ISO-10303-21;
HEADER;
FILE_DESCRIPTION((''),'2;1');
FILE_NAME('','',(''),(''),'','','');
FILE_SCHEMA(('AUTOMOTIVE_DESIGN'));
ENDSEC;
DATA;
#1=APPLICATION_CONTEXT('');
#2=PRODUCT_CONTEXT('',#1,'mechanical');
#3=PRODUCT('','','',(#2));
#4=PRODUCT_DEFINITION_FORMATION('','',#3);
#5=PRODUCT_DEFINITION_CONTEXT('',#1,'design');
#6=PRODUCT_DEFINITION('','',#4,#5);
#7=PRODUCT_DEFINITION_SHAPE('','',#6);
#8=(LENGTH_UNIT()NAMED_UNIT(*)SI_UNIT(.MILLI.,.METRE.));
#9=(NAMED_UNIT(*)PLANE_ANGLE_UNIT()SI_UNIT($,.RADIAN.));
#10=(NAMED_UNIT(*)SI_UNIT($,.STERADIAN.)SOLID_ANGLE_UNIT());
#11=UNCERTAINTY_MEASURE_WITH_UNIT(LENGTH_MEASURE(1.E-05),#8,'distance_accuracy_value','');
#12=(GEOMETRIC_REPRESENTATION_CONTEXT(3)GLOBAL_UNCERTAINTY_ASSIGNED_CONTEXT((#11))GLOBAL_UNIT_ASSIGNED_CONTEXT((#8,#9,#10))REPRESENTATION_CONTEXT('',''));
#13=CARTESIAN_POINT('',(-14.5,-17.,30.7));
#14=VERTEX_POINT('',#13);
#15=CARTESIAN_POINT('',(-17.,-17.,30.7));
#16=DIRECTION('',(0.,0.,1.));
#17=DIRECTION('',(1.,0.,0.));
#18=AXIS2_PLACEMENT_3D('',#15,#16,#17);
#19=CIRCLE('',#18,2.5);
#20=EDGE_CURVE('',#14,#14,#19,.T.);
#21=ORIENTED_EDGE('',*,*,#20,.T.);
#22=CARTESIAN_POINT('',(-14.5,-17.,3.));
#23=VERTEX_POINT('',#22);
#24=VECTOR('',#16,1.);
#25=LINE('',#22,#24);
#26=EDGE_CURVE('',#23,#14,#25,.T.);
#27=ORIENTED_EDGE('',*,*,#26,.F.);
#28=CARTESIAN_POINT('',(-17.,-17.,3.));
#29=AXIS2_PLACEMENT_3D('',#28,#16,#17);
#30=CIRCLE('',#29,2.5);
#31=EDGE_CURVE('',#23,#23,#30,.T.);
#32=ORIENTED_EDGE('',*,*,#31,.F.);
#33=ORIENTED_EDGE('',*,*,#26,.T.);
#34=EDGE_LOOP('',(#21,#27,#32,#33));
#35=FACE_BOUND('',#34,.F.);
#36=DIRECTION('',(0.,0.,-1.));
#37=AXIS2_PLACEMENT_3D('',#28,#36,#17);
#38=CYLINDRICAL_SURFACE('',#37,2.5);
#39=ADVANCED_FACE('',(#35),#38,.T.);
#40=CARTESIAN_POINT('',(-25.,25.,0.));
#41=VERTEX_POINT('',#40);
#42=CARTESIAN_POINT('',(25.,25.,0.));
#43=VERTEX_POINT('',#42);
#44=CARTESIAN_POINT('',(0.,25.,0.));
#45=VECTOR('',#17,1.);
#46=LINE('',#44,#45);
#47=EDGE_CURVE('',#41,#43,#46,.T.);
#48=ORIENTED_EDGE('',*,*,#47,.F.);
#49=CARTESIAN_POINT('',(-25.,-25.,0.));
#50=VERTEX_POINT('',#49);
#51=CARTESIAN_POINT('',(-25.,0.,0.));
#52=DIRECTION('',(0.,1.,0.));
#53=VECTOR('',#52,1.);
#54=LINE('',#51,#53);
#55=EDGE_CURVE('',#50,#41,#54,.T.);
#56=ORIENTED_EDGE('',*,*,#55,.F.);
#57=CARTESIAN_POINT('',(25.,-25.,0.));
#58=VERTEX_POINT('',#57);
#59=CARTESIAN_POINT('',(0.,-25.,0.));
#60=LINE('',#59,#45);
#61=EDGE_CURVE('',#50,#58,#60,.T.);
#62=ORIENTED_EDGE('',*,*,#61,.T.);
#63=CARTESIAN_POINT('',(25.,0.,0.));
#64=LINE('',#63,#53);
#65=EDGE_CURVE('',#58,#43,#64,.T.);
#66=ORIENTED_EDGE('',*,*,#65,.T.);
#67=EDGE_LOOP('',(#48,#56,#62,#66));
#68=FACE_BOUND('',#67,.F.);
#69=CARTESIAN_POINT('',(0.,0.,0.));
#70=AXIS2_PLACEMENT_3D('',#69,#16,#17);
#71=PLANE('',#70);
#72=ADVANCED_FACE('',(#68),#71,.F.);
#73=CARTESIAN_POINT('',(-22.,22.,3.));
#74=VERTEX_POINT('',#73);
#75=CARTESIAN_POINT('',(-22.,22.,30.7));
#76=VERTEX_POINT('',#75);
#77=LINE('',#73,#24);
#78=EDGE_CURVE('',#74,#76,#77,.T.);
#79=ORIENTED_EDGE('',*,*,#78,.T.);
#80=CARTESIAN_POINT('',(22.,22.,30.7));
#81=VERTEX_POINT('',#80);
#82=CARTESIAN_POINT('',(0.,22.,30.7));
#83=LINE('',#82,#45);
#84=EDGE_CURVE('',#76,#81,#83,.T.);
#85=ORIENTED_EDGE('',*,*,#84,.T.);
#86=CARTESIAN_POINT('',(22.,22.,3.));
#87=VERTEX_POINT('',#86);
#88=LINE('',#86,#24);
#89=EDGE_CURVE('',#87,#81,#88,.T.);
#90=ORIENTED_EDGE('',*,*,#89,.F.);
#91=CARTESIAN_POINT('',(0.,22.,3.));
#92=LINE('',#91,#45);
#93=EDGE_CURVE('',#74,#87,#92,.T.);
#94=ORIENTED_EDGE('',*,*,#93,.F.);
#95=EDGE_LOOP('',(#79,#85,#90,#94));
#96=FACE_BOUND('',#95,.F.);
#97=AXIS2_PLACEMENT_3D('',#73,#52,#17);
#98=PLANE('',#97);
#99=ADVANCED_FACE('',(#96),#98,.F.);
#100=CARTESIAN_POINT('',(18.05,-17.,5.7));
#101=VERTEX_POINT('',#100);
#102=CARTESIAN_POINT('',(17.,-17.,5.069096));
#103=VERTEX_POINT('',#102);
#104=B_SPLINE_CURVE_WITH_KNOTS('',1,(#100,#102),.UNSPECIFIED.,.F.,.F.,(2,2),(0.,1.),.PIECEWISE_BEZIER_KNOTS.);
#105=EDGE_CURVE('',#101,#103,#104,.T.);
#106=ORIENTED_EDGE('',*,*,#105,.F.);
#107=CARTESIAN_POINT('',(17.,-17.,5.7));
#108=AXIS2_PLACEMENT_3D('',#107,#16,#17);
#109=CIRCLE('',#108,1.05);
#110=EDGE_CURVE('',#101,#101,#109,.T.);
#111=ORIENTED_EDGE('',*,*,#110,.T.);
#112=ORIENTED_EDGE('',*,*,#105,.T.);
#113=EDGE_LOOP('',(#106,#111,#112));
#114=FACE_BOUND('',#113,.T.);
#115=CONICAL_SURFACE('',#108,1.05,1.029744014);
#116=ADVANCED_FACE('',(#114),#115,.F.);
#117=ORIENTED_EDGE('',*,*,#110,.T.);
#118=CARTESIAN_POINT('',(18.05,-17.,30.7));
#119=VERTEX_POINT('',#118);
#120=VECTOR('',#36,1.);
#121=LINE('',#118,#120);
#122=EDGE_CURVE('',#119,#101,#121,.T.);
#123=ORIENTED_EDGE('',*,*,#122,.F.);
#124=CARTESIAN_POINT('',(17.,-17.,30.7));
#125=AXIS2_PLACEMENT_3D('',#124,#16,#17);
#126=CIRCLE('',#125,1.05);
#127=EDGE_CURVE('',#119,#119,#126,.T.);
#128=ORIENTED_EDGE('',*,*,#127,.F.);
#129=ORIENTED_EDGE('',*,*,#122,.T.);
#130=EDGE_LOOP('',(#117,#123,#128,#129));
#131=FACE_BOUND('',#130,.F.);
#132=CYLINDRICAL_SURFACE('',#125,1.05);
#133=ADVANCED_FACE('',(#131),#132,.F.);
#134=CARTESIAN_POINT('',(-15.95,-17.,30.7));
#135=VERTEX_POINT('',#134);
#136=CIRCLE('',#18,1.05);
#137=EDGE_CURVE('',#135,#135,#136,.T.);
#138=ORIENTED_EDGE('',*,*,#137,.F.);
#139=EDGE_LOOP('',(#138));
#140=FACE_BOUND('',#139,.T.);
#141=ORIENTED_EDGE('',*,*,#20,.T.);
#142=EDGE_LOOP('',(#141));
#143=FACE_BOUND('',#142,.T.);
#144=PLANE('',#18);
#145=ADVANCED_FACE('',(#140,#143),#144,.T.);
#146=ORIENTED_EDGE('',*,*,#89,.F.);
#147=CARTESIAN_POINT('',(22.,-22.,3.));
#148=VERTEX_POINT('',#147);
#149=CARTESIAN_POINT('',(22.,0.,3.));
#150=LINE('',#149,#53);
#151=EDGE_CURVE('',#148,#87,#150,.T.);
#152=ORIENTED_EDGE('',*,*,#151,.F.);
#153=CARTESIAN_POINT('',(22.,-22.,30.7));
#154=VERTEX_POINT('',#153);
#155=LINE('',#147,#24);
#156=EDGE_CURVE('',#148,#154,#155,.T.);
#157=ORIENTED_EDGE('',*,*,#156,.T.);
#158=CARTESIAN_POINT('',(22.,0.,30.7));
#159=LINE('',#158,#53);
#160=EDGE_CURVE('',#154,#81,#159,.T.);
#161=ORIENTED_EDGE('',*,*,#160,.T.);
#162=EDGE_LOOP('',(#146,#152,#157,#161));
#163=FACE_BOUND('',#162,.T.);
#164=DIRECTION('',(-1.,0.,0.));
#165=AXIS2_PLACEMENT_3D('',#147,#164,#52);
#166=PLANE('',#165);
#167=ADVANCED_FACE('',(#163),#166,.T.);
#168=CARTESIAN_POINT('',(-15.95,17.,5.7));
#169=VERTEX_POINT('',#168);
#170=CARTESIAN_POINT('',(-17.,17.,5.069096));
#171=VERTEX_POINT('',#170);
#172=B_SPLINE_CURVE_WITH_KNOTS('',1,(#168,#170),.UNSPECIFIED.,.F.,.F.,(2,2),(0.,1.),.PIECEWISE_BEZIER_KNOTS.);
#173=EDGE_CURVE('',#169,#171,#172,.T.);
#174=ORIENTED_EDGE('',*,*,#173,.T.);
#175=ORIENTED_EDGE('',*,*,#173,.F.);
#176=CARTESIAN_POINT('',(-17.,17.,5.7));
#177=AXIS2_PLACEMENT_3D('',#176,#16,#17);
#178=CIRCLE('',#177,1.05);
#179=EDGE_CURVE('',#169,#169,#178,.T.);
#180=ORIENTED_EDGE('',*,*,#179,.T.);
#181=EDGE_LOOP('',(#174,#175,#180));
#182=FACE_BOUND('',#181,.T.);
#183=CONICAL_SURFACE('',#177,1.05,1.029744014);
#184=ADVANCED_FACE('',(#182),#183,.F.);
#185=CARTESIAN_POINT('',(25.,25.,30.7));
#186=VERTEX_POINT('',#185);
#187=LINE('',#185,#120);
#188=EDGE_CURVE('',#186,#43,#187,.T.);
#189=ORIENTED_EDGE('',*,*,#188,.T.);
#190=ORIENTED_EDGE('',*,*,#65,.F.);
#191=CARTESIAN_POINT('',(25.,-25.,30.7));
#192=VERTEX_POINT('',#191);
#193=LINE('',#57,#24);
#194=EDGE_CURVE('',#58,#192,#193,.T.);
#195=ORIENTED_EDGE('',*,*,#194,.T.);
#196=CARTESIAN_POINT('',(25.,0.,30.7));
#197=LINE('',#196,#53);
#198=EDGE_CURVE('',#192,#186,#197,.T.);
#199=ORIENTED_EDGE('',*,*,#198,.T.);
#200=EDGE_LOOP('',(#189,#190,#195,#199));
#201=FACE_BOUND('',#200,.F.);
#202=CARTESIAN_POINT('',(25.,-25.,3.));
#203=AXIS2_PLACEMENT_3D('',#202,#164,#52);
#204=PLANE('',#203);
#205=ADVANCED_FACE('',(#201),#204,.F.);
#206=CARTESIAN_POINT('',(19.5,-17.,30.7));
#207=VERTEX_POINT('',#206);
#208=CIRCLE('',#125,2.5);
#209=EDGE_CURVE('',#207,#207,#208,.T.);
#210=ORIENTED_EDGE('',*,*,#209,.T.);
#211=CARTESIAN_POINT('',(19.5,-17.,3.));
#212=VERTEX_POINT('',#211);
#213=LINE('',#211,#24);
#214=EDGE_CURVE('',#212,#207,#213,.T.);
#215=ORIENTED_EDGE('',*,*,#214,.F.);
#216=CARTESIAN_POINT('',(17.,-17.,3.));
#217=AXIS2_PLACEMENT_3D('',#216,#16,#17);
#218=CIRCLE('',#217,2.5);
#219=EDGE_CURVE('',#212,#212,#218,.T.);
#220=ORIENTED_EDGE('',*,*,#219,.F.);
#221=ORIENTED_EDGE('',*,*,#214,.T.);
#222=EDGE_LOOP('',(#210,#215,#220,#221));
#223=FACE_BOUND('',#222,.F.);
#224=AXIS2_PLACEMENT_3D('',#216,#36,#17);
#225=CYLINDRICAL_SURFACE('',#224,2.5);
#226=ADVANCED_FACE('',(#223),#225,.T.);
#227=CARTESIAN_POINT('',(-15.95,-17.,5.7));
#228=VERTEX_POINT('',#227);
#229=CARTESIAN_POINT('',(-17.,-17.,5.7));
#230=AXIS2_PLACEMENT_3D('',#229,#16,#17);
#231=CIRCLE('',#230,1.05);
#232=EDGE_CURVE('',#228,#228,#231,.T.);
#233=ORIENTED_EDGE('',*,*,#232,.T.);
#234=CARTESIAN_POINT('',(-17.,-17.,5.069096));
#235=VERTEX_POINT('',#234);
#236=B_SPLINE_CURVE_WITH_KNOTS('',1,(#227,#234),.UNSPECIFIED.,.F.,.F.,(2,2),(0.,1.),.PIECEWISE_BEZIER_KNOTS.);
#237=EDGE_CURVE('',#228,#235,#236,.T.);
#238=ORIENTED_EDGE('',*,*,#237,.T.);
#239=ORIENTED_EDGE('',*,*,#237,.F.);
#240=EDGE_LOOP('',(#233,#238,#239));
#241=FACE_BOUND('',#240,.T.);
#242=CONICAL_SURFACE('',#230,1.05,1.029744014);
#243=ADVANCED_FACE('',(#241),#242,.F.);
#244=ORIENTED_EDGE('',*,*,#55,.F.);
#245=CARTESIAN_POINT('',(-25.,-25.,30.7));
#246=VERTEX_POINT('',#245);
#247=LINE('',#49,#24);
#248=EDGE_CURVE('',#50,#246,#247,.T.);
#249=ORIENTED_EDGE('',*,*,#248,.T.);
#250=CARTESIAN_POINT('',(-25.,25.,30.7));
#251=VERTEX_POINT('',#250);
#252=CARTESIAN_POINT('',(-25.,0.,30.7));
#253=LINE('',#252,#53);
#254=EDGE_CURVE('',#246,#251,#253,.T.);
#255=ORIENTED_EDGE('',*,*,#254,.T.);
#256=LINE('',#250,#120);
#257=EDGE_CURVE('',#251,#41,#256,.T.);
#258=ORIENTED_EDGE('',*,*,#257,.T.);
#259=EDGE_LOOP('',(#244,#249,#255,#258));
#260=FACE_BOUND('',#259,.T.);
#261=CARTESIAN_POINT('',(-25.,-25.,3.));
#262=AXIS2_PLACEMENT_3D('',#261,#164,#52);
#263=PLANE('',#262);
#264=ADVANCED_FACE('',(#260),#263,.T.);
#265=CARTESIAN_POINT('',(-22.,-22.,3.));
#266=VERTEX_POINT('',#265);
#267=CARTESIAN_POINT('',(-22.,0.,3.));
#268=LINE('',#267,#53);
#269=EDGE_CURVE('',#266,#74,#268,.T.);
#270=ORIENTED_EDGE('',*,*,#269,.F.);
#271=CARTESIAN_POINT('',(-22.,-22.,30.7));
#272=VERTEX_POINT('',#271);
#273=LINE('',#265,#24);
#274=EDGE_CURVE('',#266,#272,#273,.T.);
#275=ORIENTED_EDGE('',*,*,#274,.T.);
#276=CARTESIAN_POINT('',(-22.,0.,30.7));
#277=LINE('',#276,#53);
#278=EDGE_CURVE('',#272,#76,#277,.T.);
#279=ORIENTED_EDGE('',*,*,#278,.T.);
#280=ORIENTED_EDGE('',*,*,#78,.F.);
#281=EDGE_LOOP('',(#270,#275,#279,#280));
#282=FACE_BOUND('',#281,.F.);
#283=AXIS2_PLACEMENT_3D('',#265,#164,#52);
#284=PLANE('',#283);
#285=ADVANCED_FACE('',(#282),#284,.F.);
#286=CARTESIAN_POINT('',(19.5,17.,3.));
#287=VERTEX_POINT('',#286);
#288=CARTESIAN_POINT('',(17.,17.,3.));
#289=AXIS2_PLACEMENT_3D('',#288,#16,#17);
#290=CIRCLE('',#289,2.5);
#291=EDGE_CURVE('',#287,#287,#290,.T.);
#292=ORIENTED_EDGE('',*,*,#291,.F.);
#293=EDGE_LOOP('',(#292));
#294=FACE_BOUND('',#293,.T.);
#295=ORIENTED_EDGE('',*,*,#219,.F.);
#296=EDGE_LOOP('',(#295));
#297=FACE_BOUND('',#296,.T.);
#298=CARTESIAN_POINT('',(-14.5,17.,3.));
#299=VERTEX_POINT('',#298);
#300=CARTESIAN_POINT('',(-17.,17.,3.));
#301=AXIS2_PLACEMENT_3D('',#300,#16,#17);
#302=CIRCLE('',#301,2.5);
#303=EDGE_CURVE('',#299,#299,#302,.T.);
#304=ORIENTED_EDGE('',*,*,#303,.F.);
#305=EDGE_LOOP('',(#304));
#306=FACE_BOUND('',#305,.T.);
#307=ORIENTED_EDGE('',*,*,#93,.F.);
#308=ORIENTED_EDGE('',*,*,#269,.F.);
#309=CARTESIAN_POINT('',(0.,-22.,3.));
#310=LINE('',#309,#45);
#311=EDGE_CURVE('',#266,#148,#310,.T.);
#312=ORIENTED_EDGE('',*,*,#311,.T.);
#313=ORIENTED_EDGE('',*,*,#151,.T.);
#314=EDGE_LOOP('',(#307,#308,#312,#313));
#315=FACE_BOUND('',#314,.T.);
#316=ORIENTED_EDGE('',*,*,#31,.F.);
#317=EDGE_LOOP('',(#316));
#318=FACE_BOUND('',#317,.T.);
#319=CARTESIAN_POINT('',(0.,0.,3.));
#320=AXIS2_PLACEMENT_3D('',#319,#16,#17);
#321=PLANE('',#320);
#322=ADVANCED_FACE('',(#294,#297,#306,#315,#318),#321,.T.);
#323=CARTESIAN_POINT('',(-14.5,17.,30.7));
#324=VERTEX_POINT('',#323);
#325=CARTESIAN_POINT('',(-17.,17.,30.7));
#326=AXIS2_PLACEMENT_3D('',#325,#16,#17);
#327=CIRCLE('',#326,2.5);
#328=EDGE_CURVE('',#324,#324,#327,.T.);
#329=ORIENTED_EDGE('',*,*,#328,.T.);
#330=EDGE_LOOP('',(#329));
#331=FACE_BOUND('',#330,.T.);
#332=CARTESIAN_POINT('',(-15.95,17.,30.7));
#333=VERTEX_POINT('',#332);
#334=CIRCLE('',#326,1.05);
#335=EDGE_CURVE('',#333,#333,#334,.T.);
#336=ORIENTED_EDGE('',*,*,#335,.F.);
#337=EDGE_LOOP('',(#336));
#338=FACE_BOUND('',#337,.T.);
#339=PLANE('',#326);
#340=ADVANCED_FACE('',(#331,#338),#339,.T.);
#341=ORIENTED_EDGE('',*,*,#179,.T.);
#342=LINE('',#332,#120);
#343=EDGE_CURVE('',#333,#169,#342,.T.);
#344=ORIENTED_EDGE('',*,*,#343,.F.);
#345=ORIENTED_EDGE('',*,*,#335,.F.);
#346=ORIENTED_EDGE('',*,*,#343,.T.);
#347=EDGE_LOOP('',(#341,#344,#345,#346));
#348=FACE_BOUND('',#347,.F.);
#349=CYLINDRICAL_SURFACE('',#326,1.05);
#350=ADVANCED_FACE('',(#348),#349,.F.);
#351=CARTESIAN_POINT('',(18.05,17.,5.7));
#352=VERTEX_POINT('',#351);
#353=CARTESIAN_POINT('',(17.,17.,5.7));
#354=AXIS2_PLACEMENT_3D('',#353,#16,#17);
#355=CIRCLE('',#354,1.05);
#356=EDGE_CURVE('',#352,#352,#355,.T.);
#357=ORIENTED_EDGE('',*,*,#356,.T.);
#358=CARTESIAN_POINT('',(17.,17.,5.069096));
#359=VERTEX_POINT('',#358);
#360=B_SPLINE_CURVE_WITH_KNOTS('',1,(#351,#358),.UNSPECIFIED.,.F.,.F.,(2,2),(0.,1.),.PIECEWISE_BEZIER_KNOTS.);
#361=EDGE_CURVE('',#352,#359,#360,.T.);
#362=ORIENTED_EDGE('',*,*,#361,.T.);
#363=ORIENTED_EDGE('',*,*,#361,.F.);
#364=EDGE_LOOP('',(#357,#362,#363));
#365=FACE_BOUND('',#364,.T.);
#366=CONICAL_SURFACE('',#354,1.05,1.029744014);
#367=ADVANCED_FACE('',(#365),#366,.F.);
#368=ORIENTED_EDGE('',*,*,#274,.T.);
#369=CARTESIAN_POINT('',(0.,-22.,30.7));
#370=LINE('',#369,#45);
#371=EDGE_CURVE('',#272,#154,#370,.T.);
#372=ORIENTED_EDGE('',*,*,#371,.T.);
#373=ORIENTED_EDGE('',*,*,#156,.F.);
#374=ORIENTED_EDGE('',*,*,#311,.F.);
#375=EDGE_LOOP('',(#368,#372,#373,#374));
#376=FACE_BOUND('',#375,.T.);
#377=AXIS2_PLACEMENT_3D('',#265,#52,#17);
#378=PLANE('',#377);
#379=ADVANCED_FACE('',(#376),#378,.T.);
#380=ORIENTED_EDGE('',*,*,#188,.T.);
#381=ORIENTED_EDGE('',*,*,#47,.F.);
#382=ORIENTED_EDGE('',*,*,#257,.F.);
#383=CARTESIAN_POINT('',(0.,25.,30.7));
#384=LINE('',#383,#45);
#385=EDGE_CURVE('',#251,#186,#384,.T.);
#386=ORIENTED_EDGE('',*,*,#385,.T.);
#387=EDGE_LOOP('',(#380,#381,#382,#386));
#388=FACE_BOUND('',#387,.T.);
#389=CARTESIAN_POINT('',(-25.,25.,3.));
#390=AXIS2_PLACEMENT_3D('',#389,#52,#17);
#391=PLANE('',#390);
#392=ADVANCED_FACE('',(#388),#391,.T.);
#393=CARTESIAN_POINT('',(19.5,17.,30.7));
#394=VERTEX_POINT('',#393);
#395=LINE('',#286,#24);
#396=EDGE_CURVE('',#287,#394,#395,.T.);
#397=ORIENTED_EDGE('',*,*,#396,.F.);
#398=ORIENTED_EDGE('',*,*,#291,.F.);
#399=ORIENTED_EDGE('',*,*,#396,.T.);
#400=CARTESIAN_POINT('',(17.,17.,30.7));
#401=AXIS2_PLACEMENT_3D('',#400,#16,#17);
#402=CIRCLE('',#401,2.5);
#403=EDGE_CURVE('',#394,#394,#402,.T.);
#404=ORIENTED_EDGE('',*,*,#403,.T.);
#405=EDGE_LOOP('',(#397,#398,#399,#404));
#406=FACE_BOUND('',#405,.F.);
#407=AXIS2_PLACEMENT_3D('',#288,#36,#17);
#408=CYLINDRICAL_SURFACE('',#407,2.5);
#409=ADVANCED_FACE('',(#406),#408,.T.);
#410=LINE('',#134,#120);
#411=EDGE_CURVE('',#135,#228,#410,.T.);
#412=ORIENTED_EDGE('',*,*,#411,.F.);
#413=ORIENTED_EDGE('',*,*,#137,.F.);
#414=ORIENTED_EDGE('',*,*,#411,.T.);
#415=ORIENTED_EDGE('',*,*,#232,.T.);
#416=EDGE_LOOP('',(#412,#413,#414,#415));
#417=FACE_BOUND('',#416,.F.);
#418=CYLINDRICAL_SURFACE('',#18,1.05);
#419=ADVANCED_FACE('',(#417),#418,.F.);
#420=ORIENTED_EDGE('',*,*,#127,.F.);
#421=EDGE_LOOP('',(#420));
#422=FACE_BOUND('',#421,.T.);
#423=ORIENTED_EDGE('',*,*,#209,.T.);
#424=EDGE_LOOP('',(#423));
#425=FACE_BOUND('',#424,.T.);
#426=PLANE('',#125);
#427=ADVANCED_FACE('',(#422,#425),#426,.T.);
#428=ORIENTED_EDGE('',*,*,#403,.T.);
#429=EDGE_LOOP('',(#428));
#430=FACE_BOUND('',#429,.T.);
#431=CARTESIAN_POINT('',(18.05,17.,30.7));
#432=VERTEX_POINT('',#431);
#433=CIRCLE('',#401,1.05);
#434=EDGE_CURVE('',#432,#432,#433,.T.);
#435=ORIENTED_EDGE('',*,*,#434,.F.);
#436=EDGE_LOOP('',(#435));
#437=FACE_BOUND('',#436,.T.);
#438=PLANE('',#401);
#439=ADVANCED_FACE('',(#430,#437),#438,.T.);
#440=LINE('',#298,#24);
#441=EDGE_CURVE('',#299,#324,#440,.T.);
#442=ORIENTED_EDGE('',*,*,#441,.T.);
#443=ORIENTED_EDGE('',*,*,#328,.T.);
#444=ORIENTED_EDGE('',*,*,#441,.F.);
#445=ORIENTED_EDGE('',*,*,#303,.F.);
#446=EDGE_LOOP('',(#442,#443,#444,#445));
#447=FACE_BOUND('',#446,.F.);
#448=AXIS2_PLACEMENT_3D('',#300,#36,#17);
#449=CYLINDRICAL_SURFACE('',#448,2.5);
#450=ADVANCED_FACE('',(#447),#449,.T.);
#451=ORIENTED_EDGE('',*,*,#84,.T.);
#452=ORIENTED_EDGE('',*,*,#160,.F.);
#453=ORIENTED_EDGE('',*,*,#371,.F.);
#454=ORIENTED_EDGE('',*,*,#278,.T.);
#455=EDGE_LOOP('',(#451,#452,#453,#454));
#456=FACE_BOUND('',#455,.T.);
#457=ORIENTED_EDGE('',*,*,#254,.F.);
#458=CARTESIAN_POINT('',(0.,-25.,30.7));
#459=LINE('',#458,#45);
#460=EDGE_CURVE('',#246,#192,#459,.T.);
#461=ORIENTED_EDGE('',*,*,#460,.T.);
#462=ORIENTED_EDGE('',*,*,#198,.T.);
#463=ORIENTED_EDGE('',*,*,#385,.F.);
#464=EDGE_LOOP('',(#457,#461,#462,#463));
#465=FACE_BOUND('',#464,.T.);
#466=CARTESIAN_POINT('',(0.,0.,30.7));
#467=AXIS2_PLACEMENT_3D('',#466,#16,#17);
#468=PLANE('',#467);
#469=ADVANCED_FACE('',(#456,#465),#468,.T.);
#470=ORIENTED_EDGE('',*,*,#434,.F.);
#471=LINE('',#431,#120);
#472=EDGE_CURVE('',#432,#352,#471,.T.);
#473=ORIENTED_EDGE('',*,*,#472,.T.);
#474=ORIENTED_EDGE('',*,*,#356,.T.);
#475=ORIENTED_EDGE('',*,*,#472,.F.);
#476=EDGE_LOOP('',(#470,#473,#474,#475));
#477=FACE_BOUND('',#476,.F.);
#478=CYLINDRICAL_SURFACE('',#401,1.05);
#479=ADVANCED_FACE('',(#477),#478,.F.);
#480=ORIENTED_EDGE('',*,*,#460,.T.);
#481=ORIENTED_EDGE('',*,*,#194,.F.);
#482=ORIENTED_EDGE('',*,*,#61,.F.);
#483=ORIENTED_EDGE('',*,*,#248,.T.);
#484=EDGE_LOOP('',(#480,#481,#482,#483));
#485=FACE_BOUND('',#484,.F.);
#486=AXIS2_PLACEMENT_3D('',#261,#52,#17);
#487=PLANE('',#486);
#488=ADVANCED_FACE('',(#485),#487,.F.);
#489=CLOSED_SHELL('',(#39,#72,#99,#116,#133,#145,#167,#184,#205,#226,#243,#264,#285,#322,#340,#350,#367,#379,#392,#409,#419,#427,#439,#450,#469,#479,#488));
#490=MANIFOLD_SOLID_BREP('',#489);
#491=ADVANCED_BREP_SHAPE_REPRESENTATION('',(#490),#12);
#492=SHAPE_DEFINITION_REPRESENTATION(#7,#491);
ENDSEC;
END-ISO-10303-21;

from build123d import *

# Parameters (mm, degrees)
SKETCH_W      = 50
SKETCH_H      = 50
PAD_DEPTH     = 3
SKETCH001_W   = 50
SKETCH001_H   = 50
SKETCH001_W_2 = 44
SKETCH001_H_2 = 44
PAD001_DEPTH  = 27.7
SKETCH002_R   = 2.5
PAD002_DEPTH  = 27.7
SKETCH003_R   = 1.05
HOLE_DEPTH    = 25
HOLE_TIPS_R   = 1.05


with BuildPart() as part:
    # Sketch → Pad (new body)
    with BuildSketch(Plane.XY):
        Rectangle(SKETCH_W, SKETCH_H)
    extrude(amount=PAD_DEPTH)

    # Sketch001 (on Face6 of Pad) → Pad001 (join)
    with BuildSketch(Plane.XY.offset(3)):
        Rectangle(SKETCH001_W, SKETCH001_H)
        Rectangle(SKETCH001_W_2, SKETCH001_H_2, mode=Mode.SUBTRACT)
    extrude(amount=PAD001_DEPTH)

    # Sketch002 (on Face15 of Pad001) → Pad002 (join)
    with BuildSketch(Plane.XY.offset(3)):
        with Locations((-17, 17)):
            Circle(SKETCH002_R)
        with Locations((17, 17)):
            Circle(SKETCH002_R)
        with Locations((17, -17)):
            Circle(SKETCH002_R)
        with Locations((-17, -17)):
            Circle(SKETCH002_R)
    extrude(amount=PAD002_DEPTH)

    # Sketch003 (on Face22 of Pad002) → Hole (cut)
    with BuildSketch(Plane.XY.offset(30.7)):
        with Locations((-17, 17)):
            Circle(SKETCH003_R)
        with Locations((17, 17)):
            Circle(SKETCH003_R)
        with Locations((-17, -17)):
            Circle(SKETCH003_R)
        with Locations((17, -17)):
            Circle(SKETCH003_R)
    extrude(amount=-HOLE_DEPTH, mode=Mode.SUBTRACT)

    # Hole tips → Hole tip 1 section 0
    with BuildSketch(Plane.XY.offset(5.7), mode=Mode.PRIVATE) as hole_tip_1_s0:
        with Locations((-17, 17)):
            Circle(HOLE_TIPS_R)
    loft([hole_tip_1_s0.sketch, Vertex(-17, 17, 5.069096)], mode=Mode.SUBTRACT)

    # Hole tips → Hole tip 2 section 0
    with BuildSketch(Plane.XY.offset(5.7), mode=Mode.PRIVATE) as hole_tip_2_s0:
        with Locations((17, 17)):
            Circle(HOLE_TIPS_R)
    loft([hole_tip_2_s0.sketch, Vertex(17, 17, 5.069096)], mode=Mode.SUBTRACT)

    # Hole tips → Hole tip 3 section 0
    with BuildSketch(Plane.XY.offset(5.7), mode=Mode.PRIVATE) as hole_tip_3_s0:
        with Locations((-17, -17)):
            Circle(HOLE_TIPS_R)
    loft([hole_tip_3_s0.sketch, Vertex(-17, -17, 5.069096)], mode=Mode.SUBTRACT)

    # Hole tips → Hole tip 4 section 0
    with BuildSketch(Plane.XY.offset(5.7), mode=Mode.PRIVATE) as hole_tip_4_s0:
        with Locations((17, -17)):
            Circle(HOLE_TIPS_R)
    loft([hole_tip_4_s0.sketch, Vertex(17, -17, 5.069096)], mode=Mode.SUBTRACT)


solid = part.part
